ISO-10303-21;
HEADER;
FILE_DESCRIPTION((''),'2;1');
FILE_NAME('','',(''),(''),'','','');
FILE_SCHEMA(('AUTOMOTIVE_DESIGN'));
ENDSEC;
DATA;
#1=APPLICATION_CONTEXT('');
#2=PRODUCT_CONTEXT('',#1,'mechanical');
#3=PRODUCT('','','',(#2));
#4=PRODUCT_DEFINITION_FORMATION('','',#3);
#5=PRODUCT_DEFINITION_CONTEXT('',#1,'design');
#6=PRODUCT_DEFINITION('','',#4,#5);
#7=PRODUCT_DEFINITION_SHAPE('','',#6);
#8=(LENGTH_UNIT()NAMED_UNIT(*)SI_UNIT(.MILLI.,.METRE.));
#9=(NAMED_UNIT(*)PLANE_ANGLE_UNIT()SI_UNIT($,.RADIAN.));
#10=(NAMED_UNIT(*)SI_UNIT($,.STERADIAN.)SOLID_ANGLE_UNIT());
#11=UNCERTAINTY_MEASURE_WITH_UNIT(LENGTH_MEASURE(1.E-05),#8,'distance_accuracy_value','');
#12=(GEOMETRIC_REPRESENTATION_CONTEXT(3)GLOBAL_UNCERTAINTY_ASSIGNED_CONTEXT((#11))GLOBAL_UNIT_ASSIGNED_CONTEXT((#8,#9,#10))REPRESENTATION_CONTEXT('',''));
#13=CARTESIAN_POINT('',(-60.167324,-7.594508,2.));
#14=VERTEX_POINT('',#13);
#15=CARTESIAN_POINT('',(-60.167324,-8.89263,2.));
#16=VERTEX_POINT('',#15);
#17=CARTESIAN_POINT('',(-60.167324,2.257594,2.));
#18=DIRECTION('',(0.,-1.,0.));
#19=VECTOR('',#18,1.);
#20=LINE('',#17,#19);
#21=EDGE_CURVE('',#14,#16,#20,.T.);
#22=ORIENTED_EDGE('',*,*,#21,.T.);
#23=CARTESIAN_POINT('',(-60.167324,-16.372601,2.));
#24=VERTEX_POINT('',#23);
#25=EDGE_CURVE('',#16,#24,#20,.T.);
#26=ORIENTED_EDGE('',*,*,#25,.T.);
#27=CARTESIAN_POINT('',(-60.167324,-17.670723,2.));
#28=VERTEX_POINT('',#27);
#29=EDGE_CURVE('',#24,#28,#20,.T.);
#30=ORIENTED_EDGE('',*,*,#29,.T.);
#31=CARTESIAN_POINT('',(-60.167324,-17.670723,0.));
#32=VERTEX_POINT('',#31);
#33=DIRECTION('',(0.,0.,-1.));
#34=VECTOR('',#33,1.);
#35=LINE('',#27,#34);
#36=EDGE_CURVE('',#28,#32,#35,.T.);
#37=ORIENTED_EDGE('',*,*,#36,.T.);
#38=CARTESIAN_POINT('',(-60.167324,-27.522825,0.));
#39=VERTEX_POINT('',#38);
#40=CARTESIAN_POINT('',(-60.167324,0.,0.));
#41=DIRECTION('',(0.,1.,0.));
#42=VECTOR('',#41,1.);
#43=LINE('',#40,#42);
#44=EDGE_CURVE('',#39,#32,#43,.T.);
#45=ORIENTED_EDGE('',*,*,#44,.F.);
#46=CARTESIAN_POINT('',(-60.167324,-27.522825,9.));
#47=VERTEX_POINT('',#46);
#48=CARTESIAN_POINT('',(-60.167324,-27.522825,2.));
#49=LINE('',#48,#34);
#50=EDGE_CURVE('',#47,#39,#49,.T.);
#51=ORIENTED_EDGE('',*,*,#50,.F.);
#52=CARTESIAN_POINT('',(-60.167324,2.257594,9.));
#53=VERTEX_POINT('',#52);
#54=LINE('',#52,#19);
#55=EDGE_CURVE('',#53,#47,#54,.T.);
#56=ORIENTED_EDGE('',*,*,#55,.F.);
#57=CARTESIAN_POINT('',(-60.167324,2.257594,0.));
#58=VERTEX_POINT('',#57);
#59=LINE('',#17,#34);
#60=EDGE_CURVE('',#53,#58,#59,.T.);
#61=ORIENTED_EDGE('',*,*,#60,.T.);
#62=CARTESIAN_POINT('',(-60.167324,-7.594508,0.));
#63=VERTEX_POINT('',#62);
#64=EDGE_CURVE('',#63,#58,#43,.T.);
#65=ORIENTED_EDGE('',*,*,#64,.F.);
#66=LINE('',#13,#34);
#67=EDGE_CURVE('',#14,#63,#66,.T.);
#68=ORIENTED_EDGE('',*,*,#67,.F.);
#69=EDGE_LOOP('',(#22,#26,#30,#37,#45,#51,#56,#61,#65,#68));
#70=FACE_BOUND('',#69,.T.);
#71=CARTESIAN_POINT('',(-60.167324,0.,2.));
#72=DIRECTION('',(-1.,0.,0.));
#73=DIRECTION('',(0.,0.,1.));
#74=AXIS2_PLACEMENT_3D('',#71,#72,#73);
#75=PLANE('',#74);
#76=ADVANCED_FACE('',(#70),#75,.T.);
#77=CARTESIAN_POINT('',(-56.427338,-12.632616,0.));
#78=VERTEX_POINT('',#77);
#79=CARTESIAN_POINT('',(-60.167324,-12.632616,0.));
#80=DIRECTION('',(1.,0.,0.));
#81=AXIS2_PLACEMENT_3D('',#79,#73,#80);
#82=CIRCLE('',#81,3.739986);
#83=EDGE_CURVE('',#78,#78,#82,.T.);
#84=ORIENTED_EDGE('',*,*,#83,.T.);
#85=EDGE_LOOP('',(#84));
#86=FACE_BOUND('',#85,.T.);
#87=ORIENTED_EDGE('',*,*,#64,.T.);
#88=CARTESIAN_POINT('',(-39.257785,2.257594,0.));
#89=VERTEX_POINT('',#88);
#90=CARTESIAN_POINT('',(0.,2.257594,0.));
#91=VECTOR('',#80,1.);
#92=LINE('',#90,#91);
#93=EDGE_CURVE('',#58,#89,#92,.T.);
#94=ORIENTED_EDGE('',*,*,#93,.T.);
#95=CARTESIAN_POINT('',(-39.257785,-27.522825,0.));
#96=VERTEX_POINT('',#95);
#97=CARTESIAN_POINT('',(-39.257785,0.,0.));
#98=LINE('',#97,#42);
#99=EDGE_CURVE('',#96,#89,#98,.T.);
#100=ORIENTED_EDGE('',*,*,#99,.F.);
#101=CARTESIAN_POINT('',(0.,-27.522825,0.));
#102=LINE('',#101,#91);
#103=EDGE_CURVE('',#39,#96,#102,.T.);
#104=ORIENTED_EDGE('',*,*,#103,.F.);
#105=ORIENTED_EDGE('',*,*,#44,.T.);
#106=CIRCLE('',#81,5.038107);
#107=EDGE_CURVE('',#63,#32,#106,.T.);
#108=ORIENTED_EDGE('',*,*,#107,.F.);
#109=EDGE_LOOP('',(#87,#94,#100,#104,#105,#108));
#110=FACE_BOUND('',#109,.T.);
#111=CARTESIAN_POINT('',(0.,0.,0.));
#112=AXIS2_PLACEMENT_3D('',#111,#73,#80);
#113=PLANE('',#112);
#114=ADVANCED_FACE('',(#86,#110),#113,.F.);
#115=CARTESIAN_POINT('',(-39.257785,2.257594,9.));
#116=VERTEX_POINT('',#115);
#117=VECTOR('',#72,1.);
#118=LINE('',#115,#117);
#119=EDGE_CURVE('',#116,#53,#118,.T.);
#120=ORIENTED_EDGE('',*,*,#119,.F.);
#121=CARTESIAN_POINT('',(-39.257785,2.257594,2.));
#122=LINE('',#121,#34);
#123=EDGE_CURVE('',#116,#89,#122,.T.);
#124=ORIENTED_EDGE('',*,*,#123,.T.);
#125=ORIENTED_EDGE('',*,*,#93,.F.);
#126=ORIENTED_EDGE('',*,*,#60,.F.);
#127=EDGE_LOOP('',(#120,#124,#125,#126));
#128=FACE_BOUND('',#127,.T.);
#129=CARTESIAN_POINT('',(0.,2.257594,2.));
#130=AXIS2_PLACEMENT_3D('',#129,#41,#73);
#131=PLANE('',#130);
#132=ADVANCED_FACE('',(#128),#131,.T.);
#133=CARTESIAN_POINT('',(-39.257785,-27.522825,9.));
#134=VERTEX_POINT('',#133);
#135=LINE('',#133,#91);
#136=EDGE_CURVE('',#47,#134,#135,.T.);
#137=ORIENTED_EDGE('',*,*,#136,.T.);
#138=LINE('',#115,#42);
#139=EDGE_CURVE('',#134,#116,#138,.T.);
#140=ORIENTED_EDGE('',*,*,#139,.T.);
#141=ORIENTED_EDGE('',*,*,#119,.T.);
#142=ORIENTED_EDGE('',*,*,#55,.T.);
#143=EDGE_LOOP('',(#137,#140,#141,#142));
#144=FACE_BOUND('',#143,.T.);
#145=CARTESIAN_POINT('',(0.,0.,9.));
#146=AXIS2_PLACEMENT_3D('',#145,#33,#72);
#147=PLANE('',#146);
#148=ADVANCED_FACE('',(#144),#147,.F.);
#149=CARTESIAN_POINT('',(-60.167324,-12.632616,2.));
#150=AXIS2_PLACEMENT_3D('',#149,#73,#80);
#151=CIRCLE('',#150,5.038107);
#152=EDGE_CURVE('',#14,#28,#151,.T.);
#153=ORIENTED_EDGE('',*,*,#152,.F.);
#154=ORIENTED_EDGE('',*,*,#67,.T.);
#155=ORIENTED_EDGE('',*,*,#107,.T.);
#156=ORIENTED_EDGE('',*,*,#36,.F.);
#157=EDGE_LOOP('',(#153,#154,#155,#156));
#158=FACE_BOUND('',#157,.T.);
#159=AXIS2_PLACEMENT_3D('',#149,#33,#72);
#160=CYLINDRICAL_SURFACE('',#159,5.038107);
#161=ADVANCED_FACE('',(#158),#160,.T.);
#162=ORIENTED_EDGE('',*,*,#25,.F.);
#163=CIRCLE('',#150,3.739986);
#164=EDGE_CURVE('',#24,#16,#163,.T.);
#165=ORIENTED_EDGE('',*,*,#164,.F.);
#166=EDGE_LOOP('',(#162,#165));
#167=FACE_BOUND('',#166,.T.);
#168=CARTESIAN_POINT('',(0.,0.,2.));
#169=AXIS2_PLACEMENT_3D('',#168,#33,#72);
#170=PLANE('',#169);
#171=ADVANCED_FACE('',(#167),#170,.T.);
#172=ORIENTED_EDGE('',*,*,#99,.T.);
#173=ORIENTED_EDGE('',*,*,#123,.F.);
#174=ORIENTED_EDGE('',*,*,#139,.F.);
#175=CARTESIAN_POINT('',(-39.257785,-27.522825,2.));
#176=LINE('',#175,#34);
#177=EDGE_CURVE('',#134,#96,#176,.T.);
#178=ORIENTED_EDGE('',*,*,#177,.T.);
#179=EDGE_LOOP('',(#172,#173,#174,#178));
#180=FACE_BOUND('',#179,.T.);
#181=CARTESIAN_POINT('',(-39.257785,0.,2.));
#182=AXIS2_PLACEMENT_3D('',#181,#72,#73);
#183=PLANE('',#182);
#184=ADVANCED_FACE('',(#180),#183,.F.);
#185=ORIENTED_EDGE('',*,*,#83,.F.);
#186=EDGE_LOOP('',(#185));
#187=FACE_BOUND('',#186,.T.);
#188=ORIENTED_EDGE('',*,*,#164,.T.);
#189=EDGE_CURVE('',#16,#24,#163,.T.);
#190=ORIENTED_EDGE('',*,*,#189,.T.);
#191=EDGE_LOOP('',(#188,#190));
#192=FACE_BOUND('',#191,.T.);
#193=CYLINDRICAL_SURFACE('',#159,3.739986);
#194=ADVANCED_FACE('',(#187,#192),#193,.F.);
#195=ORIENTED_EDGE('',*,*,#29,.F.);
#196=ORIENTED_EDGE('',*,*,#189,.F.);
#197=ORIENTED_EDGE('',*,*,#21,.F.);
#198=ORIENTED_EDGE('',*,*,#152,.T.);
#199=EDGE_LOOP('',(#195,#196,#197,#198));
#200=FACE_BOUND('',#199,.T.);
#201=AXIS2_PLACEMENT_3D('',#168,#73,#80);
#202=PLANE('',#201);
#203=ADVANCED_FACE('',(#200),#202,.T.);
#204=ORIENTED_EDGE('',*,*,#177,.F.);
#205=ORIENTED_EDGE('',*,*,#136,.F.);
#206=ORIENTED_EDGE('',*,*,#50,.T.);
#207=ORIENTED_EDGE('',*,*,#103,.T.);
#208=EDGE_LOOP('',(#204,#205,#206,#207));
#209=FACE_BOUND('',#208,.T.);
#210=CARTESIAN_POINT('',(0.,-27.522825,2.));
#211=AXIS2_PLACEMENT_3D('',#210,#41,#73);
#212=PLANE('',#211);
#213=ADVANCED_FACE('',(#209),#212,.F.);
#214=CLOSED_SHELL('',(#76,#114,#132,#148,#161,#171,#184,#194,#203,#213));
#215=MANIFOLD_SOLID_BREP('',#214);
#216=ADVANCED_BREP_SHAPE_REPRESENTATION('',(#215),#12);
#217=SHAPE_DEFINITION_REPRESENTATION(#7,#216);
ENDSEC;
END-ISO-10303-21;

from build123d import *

# Parameters (mm, degrees)
SKETCH3_R           = 3.739985504
BOSS_EXTRUDE1_DEPTH = 2
SKETCH4_W           = 20.9095389
SKETCH4_H           = 29.780418306
BOSS_EXTRUDE2_DEPTH = 7


with BuildPart() as part:
    # Sketch3 → Boss-Extrude1 (new body)
    with BuildSketch(Plane.XY):
        with BuildLine():
            Line((-60.167323843, -17.670722848), (-60.167323843, -27.522824769))
            Line((-60.167323843, -27.522824769), (-39.257784943, -27.522824769))
            Line((-39.257784943, -27.522824769), (-39.257784943, 2.257593537))
            Line((-39.257784943, 2.257593537), (-60.167323843, 2.257593537))
            Line((-60.167323843, 2.257593537), (-60.167323843, -7.594508384))
            ThreePointArc((-60.167323843, -7.594508384), (-65.205431076, -12.632615616), (-60.167323843, -17.670722848))
        make_face()
        with Locations((-60.167323843, -12.632615616)):
            Circle(SKETCH3_R, mode=Mode.SUBTRACT)
    extrude(amount=BOSS_EXTRUDE1_DEPTH)

    # Sketch4 → Boss-Extrude2 (add)
    with BuildSketch(Plane.XY.offset(2)):
        with Locations((-49.712554393, -12.632615616)):
            Rectangle(SKETCH4_W, SKETCH4_H)
    extrude(amount=BOSS_EXTRUDE2_DEPTH)


solid = part.part
